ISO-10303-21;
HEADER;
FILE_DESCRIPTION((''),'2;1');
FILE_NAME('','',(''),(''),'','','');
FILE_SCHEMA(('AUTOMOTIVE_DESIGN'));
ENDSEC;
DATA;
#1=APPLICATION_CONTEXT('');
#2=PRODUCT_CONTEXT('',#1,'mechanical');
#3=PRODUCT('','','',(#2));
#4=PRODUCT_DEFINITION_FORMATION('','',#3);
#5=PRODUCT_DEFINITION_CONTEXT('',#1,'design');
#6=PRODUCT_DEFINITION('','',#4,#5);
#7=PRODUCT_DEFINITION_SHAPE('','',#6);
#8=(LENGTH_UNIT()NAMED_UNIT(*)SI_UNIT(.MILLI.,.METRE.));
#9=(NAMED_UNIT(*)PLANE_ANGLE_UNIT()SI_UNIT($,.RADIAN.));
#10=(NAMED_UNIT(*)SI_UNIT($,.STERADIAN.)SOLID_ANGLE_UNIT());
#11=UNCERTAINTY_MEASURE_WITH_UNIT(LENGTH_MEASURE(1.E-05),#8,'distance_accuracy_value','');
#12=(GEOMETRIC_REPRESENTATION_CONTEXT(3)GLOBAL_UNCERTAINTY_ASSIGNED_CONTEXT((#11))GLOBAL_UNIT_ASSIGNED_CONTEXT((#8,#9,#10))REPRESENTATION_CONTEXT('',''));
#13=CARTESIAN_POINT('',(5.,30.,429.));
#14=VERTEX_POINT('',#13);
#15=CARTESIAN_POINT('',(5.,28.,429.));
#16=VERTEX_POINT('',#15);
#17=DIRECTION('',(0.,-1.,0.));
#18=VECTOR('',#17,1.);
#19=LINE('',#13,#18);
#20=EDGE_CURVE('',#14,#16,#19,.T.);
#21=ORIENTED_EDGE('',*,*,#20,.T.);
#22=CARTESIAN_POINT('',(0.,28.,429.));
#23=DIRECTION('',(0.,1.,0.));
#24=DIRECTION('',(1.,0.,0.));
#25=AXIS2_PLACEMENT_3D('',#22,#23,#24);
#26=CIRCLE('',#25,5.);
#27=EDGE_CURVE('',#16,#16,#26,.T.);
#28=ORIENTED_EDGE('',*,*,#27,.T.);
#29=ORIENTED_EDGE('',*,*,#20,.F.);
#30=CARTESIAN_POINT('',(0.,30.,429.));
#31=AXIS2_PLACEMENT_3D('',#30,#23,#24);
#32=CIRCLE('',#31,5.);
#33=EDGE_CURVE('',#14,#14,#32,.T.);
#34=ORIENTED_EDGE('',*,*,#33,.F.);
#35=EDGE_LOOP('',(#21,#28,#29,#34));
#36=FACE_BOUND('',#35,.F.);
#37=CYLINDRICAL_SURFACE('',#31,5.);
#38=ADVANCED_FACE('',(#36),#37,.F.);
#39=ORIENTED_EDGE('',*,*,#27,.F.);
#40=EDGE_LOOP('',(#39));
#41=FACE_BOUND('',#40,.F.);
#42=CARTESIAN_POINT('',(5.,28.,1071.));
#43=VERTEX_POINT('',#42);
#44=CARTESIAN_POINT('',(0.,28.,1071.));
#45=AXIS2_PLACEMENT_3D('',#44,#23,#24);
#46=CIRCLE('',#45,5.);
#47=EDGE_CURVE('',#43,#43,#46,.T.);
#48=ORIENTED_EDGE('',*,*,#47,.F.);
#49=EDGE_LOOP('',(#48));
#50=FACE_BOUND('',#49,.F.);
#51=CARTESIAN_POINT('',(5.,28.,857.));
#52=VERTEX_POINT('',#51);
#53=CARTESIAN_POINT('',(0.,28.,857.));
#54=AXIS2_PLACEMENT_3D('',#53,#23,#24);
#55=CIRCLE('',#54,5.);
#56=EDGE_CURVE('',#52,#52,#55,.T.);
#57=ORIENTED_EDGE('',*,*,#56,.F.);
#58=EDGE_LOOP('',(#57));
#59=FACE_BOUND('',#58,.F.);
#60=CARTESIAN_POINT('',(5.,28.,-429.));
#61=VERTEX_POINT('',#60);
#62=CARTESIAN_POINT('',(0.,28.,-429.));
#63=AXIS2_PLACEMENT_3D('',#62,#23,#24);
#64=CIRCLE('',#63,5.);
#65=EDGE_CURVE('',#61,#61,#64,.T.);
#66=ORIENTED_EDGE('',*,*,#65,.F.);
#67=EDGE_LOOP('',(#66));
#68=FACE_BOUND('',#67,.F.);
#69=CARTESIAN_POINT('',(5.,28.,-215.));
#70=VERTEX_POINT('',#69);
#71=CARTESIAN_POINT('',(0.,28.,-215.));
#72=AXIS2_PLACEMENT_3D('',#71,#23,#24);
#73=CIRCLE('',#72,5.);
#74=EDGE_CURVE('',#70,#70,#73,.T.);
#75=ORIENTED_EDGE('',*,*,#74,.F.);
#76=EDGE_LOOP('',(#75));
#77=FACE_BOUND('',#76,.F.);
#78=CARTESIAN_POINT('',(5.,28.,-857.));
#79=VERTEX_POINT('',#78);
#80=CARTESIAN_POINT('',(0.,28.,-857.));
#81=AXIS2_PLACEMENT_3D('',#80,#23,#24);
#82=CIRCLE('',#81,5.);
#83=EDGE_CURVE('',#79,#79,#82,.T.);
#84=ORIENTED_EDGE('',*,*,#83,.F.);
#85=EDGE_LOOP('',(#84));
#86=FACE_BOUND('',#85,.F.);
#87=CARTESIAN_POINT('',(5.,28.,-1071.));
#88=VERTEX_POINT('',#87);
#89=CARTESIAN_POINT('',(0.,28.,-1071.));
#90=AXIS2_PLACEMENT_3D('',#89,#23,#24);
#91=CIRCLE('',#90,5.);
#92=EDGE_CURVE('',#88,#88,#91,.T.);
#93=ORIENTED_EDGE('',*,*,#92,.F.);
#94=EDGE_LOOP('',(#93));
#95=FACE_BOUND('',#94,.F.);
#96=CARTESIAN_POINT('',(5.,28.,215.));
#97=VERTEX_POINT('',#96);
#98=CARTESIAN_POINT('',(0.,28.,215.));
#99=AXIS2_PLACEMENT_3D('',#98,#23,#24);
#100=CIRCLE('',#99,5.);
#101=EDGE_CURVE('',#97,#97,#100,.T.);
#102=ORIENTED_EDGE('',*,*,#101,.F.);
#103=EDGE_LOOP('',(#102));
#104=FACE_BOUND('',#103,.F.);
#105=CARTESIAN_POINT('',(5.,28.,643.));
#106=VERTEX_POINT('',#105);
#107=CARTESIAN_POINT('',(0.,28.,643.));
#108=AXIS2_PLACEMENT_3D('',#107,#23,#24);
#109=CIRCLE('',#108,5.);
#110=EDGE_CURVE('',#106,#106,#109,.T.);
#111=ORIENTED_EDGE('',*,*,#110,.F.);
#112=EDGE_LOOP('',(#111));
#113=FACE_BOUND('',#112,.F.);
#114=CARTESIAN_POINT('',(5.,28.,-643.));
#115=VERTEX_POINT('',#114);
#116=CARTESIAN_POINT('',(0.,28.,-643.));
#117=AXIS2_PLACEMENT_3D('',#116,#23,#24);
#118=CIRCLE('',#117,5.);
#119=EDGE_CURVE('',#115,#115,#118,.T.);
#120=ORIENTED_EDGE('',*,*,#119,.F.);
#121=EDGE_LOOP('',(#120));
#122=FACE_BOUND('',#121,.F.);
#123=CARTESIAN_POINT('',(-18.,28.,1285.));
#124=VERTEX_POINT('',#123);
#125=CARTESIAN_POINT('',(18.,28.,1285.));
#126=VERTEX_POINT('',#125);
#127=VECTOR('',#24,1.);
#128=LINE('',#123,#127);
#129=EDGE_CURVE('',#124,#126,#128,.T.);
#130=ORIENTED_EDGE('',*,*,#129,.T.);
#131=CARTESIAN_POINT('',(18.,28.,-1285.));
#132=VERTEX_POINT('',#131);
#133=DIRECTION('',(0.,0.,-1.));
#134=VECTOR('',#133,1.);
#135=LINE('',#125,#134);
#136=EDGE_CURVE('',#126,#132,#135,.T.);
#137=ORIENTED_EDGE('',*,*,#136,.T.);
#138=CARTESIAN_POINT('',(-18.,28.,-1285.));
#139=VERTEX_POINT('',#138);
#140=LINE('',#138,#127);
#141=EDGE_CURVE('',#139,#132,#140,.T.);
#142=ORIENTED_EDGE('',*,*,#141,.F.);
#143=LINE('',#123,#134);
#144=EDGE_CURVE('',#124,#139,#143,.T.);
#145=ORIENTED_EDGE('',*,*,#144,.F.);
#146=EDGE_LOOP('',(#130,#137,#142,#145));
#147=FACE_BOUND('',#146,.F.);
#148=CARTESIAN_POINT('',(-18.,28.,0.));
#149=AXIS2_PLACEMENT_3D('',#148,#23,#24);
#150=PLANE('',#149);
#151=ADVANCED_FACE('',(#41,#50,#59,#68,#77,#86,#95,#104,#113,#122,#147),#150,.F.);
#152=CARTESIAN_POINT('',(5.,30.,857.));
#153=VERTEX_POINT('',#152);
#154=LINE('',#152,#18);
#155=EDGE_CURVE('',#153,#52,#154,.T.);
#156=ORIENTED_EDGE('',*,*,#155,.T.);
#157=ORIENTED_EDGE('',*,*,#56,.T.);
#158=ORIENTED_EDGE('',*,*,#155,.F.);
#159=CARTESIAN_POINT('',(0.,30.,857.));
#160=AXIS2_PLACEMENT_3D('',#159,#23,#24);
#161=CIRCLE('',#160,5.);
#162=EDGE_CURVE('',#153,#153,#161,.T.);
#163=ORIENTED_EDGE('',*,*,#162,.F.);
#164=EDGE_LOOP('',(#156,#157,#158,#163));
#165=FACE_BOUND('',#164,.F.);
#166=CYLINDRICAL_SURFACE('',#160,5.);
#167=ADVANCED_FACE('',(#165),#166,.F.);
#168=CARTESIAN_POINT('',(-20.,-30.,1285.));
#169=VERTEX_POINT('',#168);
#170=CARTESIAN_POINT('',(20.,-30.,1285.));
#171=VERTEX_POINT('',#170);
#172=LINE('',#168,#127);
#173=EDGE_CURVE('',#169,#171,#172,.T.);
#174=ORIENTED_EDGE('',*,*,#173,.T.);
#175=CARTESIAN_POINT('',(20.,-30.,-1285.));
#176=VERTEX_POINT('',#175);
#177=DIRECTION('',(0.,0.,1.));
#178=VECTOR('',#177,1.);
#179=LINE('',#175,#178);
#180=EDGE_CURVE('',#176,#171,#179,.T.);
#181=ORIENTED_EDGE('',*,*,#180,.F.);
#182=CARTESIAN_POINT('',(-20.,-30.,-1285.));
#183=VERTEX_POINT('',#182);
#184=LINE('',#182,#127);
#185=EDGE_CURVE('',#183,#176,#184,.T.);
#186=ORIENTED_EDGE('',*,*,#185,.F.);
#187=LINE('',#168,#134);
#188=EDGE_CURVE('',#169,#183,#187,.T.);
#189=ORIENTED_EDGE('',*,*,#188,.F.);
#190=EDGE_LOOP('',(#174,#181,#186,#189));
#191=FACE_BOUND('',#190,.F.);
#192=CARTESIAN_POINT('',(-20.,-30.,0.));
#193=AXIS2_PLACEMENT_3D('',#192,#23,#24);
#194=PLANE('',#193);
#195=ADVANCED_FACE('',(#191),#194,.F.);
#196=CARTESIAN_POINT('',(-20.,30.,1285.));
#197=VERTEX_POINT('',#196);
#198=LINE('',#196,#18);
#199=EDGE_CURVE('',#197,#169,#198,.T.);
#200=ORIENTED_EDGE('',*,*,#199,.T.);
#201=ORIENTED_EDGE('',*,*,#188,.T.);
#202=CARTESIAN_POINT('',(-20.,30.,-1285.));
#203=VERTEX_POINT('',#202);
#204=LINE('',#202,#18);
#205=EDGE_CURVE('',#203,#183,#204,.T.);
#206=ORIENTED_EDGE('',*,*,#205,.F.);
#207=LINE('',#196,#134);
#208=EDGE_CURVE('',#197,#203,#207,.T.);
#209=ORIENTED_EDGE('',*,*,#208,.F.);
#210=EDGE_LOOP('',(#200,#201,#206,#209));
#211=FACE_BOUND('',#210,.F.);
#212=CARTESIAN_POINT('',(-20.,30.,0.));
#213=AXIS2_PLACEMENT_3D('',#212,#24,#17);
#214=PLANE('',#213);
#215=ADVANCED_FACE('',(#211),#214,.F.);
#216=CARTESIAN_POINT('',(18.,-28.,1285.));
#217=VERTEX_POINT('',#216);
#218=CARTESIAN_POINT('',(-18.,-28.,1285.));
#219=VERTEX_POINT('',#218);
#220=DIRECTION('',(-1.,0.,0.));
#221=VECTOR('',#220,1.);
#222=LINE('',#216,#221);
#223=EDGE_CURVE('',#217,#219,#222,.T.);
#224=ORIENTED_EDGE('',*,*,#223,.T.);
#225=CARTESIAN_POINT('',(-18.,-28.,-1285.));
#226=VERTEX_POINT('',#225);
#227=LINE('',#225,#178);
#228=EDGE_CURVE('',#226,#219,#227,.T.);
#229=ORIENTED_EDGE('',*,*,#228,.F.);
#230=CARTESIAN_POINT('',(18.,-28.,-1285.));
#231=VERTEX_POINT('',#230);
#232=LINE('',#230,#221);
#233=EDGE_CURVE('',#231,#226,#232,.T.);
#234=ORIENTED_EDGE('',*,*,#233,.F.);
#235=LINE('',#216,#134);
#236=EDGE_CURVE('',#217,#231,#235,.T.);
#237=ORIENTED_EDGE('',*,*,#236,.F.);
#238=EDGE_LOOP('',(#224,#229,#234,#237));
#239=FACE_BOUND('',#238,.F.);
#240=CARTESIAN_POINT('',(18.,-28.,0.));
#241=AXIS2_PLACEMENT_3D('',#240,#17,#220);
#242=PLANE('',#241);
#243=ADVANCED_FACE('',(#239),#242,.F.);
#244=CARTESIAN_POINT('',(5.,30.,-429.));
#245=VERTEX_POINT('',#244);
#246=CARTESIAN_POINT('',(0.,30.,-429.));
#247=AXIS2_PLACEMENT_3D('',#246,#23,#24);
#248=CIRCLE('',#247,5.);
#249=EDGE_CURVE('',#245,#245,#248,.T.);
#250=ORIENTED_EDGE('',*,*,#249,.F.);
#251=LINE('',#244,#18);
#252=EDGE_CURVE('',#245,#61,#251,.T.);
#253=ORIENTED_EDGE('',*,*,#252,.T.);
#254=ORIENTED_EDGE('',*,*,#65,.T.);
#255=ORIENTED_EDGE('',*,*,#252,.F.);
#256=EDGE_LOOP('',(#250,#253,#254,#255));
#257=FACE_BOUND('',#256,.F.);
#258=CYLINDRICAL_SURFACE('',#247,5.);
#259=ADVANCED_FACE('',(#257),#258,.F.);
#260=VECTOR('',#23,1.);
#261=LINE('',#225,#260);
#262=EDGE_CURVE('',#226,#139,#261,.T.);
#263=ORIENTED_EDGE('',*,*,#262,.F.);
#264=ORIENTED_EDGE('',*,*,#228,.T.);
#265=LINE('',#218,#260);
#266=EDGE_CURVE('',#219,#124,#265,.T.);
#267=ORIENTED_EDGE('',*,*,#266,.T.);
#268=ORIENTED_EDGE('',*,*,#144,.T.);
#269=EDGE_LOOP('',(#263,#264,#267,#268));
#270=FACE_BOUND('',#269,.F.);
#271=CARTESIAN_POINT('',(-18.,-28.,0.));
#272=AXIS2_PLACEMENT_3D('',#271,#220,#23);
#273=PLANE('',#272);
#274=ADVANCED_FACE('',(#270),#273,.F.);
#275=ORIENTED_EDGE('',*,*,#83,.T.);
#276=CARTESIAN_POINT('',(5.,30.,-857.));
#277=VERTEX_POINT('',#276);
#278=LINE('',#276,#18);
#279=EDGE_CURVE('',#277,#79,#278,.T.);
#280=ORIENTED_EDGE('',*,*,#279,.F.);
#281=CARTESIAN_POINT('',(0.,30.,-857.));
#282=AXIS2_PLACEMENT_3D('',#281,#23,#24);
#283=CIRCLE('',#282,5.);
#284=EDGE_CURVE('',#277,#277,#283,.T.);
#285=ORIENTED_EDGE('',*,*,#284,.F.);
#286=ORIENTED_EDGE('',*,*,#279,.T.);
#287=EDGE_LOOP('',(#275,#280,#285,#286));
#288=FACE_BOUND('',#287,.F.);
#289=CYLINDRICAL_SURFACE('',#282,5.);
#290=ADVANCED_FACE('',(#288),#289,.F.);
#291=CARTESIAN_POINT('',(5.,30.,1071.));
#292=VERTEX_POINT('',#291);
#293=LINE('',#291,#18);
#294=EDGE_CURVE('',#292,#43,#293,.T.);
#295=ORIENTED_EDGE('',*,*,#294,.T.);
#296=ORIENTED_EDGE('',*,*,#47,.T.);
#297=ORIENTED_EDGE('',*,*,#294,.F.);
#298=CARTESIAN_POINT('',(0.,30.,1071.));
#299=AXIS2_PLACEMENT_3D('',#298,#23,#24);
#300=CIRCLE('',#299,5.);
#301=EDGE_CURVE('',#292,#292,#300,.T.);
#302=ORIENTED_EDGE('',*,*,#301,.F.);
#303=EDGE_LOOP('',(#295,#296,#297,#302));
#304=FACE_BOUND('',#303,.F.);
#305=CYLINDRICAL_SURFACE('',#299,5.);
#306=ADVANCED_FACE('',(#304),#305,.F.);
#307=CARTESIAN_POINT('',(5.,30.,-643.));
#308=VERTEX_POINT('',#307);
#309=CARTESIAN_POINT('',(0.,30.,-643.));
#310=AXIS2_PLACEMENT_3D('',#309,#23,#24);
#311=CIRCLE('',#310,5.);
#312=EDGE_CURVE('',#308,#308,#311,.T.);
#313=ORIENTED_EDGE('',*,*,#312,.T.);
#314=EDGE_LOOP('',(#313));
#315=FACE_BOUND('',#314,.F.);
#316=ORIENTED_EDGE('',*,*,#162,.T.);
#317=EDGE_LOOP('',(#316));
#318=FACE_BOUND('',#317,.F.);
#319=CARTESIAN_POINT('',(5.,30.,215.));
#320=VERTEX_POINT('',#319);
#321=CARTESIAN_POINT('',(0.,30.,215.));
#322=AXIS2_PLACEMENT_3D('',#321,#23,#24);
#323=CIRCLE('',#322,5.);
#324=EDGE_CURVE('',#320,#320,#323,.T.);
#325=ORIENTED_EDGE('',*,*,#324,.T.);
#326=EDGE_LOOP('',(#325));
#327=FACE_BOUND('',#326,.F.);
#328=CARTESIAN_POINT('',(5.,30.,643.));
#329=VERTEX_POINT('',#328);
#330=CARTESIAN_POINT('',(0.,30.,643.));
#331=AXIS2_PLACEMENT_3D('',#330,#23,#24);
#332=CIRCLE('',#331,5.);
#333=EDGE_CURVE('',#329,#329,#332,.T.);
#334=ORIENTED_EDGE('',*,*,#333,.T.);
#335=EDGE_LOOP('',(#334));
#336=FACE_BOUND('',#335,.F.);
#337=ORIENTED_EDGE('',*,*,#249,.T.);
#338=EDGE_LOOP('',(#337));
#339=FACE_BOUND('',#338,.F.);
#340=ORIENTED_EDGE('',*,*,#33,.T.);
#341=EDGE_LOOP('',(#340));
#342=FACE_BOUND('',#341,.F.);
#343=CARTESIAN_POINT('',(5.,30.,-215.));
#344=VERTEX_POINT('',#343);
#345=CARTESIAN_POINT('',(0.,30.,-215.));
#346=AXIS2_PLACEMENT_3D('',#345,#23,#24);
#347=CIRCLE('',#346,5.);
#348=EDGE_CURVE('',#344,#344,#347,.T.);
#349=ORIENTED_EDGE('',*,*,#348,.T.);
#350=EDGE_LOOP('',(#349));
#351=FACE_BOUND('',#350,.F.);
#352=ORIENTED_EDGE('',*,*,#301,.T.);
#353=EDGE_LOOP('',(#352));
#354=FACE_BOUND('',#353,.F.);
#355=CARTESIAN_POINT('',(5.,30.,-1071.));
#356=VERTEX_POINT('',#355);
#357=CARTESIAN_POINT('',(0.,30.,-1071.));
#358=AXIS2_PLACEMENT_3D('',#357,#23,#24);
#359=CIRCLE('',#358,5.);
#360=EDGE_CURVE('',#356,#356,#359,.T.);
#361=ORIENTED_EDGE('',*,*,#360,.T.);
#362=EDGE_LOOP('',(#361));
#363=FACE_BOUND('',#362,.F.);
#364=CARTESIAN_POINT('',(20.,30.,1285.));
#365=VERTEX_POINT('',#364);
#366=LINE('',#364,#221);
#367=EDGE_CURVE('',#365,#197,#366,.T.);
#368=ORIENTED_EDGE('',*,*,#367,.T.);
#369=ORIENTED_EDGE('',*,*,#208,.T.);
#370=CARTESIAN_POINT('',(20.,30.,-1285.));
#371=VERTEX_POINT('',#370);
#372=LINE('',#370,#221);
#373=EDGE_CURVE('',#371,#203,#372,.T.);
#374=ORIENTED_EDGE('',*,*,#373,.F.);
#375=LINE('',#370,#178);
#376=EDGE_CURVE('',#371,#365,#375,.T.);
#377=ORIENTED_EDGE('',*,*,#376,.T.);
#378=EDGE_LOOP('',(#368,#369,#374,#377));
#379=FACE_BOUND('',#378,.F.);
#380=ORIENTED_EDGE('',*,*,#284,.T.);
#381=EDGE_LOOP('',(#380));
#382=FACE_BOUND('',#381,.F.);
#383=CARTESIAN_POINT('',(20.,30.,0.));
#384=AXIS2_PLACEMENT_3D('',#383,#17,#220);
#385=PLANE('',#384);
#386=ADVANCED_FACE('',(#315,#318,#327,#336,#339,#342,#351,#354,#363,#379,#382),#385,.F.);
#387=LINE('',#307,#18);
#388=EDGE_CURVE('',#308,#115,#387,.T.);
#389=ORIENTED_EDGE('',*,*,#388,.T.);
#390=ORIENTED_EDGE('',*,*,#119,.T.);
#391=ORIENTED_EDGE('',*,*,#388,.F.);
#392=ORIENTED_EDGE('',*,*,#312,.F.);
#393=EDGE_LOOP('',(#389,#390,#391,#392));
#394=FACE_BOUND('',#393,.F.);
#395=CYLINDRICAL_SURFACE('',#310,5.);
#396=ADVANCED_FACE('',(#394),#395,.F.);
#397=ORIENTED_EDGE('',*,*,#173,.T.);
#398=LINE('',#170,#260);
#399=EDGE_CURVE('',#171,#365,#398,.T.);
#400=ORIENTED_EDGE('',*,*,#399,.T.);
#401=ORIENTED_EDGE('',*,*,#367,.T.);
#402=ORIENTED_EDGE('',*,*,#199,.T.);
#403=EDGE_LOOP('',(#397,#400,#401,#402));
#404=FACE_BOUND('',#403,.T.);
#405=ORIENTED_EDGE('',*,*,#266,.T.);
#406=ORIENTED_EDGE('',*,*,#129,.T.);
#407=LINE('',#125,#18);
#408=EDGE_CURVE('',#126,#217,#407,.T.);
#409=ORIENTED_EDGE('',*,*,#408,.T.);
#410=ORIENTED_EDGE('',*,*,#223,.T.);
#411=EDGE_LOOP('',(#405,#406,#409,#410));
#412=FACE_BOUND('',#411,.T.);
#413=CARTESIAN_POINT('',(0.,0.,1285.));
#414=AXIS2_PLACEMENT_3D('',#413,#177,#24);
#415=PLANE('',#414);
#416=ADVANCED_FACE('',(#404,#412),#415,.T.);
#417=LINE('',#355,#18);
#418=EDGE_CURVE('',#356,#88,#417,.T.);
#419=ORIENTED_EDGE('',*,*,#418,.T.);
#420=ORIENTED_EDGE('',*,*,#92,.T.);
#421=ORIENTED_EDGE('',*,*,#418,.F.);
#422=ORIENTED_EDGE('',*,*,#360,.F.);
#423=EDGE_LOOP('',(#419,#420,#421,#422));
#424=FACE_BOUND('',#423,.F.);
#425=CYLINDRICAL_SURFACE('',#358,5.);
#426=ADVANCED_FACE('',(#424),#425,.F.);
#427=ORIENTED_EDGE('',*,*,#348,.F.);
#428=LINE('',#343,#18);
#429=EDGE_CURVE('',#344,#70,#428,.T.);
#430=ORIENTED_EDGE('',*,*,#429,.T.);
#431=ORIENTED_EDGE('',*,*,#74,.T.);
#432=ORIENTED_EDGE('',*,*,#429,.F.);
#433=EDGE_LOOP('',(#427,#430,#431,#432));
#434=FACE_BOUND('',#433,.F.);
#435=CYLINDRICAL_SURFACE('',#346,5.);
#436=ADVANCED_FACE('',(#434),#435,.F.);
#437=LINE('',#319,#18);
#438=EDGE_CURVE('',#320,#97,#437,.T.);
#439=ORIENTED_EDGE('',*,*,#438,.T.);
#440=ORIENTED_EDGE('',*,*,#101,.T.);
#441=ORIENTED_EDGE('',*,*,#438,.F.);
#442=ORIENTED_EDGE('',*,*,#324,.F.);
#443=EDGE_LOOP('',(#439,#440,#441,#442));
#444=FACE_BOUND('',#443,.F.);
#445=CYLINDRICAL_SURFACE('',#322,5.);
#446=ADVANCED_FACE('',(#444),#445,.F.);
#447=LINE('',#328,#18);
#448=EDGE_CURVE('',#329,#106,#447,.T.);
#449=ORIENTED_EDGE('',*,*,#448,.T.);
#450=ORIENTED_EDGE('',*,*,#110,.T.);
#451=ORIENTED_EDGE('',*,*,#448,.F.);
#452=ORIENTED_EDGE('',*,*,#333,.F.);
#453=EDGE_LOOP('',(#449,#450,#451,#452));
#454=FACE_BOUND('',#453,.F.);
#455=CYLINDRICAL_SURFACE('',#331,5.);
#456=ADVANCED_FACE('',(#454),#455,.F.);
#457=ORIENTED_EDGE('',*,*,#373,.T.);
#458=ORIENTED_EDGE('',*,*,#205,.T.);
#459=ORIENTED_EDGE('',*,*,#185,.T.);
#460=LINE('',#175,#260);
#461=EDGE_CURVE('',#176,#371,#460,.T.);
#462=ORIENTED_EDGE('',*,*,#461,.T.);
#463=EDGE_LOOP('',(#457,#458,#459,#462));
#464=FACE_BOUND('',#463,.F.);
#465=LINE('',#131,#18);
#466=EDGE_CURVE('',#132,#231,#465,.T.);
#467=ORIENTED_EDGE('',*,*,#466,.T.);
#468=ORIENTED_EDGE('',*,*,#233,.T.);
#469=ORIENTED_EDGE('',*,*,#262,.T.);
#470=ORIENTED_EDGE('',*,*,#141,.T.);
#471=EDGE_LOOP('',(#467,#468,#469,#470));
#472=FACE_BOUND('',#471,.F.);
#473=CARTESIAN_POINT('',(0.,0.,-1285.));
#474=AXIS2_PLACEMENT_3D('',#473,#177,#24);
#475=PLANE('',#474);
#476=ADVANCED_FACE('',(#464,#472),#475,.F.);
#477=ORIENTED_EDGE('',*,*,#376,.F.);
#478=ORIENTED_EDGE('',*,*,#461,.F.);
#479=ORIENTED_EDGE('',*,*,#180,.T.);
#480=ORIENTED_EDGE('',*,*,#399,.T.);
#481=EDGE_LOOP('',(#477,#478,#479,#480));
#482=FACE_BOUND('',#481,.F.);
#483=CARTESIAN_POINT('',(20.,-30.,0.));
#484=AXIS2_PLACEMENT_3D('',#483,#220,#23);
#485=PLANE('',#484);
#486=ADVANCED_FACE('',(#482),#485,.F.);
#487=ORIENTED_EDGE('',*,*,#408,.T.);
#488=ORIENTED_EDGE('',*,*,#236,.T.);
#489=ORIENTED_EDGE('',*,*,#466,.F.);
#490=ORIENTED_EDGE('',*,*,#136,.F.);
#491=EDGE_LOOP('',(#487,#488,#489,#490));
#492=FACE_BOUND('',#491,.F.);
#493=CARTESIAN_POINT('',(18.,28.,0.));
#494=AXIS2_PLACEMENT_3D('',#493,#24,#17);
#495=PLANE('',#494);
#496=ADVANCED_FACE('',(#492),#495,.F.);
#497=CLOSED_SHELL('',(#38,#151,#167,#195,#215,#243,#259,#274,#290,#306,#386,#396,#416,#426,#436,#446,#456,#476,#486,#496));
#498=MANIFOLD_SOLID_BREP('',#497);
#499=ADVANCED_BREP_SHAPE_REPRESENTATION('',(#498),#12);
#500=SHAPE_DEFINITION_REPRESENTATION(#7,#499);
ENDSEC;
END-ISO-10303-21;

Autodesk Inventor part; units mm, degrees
ref_plane "YZ Plane" through (0, 0, 0) normal (1, 0, 0) x (0, 1, 0)
ref_plane "XZ Plane" through (0, 0, 0) normal (0, 1, 0) x (-1, 0, 0)
ref_plane "XY Plane" through (0, 0, 0) normal (0, 0, 1) x (1, 0, 0)
sketch "Boceto1" plane through (0, 0, 0) normal (0, 0, 1) x (1, 0, 0)
  line L0 (20, -30) -> (20, 30)
  line L1 (20, 30) -> (-20, 30)
  line L2 (-20, 30) -> (-20, -30)
  line L3 (-20, -30) -> (20, -30)
  line L4 (20, -30) -> (-20, 30) construction
  line L5 (20, 30) -> (-20, -30) construction
  line L6 (-18, -28) -> (-18, 28)
  line L7 (-18, 28) -> (18, 28)
  line L8 (18, 28) -> (18, -28)
  line L9 (18, -28) -> (-18, -28)
  point P0 (0, 0)
  dimension "d0" = 60
  dimension "d1" = 40
  dimension "d2" = 2
extrude "Extrusión1" add sketch "Boceto1" along normal mid plane 2570
sketch "Boceto2" plane through (-20, 30, 1285) normal (0, 1, 0) x (1, 0, 0)
  circle A0 centre (20, 214) radius 5
  line L0 (40, 0) -> (0, 0) projected
  circle A1 centre (20, 428) radius 5
  circle A2 centre (20, 642) radius 5
  circle A3 centre (20, 856) radius 5
  circle A4 centre (20, 1070) radius 5
  line L1 (-137.4788, 1285) -> (186.1246, 1285)
  circle A5 centre (20, 2356) radius 5
  circle A6 centre (20, 2142) radius 5
  circle A7 centre (20, 1928) radius 5
  circle A8 centre (20, 1714) radius 5
  circle A9 centre (20, 1500) radius 5
  point P0 (20, 1285)
  dimension "d5" = 10
  dimension "d6" = 214
  dimension "d9" = 10
  dimension "d10" = 214
  dimension "d11" = 10
  dimension "d12" = 214
  dimension "d13" = 10
  dimension "d14" = 214
  dimension "d15" = 10
  dimension "d16" = 214
  dimension "d17" = 215
extrude "Extrusión3" cut sketch "Boceto2" against normal blind 2
properties part number "2570 STEEL PROFILE 60X40X2" material "Acero"
